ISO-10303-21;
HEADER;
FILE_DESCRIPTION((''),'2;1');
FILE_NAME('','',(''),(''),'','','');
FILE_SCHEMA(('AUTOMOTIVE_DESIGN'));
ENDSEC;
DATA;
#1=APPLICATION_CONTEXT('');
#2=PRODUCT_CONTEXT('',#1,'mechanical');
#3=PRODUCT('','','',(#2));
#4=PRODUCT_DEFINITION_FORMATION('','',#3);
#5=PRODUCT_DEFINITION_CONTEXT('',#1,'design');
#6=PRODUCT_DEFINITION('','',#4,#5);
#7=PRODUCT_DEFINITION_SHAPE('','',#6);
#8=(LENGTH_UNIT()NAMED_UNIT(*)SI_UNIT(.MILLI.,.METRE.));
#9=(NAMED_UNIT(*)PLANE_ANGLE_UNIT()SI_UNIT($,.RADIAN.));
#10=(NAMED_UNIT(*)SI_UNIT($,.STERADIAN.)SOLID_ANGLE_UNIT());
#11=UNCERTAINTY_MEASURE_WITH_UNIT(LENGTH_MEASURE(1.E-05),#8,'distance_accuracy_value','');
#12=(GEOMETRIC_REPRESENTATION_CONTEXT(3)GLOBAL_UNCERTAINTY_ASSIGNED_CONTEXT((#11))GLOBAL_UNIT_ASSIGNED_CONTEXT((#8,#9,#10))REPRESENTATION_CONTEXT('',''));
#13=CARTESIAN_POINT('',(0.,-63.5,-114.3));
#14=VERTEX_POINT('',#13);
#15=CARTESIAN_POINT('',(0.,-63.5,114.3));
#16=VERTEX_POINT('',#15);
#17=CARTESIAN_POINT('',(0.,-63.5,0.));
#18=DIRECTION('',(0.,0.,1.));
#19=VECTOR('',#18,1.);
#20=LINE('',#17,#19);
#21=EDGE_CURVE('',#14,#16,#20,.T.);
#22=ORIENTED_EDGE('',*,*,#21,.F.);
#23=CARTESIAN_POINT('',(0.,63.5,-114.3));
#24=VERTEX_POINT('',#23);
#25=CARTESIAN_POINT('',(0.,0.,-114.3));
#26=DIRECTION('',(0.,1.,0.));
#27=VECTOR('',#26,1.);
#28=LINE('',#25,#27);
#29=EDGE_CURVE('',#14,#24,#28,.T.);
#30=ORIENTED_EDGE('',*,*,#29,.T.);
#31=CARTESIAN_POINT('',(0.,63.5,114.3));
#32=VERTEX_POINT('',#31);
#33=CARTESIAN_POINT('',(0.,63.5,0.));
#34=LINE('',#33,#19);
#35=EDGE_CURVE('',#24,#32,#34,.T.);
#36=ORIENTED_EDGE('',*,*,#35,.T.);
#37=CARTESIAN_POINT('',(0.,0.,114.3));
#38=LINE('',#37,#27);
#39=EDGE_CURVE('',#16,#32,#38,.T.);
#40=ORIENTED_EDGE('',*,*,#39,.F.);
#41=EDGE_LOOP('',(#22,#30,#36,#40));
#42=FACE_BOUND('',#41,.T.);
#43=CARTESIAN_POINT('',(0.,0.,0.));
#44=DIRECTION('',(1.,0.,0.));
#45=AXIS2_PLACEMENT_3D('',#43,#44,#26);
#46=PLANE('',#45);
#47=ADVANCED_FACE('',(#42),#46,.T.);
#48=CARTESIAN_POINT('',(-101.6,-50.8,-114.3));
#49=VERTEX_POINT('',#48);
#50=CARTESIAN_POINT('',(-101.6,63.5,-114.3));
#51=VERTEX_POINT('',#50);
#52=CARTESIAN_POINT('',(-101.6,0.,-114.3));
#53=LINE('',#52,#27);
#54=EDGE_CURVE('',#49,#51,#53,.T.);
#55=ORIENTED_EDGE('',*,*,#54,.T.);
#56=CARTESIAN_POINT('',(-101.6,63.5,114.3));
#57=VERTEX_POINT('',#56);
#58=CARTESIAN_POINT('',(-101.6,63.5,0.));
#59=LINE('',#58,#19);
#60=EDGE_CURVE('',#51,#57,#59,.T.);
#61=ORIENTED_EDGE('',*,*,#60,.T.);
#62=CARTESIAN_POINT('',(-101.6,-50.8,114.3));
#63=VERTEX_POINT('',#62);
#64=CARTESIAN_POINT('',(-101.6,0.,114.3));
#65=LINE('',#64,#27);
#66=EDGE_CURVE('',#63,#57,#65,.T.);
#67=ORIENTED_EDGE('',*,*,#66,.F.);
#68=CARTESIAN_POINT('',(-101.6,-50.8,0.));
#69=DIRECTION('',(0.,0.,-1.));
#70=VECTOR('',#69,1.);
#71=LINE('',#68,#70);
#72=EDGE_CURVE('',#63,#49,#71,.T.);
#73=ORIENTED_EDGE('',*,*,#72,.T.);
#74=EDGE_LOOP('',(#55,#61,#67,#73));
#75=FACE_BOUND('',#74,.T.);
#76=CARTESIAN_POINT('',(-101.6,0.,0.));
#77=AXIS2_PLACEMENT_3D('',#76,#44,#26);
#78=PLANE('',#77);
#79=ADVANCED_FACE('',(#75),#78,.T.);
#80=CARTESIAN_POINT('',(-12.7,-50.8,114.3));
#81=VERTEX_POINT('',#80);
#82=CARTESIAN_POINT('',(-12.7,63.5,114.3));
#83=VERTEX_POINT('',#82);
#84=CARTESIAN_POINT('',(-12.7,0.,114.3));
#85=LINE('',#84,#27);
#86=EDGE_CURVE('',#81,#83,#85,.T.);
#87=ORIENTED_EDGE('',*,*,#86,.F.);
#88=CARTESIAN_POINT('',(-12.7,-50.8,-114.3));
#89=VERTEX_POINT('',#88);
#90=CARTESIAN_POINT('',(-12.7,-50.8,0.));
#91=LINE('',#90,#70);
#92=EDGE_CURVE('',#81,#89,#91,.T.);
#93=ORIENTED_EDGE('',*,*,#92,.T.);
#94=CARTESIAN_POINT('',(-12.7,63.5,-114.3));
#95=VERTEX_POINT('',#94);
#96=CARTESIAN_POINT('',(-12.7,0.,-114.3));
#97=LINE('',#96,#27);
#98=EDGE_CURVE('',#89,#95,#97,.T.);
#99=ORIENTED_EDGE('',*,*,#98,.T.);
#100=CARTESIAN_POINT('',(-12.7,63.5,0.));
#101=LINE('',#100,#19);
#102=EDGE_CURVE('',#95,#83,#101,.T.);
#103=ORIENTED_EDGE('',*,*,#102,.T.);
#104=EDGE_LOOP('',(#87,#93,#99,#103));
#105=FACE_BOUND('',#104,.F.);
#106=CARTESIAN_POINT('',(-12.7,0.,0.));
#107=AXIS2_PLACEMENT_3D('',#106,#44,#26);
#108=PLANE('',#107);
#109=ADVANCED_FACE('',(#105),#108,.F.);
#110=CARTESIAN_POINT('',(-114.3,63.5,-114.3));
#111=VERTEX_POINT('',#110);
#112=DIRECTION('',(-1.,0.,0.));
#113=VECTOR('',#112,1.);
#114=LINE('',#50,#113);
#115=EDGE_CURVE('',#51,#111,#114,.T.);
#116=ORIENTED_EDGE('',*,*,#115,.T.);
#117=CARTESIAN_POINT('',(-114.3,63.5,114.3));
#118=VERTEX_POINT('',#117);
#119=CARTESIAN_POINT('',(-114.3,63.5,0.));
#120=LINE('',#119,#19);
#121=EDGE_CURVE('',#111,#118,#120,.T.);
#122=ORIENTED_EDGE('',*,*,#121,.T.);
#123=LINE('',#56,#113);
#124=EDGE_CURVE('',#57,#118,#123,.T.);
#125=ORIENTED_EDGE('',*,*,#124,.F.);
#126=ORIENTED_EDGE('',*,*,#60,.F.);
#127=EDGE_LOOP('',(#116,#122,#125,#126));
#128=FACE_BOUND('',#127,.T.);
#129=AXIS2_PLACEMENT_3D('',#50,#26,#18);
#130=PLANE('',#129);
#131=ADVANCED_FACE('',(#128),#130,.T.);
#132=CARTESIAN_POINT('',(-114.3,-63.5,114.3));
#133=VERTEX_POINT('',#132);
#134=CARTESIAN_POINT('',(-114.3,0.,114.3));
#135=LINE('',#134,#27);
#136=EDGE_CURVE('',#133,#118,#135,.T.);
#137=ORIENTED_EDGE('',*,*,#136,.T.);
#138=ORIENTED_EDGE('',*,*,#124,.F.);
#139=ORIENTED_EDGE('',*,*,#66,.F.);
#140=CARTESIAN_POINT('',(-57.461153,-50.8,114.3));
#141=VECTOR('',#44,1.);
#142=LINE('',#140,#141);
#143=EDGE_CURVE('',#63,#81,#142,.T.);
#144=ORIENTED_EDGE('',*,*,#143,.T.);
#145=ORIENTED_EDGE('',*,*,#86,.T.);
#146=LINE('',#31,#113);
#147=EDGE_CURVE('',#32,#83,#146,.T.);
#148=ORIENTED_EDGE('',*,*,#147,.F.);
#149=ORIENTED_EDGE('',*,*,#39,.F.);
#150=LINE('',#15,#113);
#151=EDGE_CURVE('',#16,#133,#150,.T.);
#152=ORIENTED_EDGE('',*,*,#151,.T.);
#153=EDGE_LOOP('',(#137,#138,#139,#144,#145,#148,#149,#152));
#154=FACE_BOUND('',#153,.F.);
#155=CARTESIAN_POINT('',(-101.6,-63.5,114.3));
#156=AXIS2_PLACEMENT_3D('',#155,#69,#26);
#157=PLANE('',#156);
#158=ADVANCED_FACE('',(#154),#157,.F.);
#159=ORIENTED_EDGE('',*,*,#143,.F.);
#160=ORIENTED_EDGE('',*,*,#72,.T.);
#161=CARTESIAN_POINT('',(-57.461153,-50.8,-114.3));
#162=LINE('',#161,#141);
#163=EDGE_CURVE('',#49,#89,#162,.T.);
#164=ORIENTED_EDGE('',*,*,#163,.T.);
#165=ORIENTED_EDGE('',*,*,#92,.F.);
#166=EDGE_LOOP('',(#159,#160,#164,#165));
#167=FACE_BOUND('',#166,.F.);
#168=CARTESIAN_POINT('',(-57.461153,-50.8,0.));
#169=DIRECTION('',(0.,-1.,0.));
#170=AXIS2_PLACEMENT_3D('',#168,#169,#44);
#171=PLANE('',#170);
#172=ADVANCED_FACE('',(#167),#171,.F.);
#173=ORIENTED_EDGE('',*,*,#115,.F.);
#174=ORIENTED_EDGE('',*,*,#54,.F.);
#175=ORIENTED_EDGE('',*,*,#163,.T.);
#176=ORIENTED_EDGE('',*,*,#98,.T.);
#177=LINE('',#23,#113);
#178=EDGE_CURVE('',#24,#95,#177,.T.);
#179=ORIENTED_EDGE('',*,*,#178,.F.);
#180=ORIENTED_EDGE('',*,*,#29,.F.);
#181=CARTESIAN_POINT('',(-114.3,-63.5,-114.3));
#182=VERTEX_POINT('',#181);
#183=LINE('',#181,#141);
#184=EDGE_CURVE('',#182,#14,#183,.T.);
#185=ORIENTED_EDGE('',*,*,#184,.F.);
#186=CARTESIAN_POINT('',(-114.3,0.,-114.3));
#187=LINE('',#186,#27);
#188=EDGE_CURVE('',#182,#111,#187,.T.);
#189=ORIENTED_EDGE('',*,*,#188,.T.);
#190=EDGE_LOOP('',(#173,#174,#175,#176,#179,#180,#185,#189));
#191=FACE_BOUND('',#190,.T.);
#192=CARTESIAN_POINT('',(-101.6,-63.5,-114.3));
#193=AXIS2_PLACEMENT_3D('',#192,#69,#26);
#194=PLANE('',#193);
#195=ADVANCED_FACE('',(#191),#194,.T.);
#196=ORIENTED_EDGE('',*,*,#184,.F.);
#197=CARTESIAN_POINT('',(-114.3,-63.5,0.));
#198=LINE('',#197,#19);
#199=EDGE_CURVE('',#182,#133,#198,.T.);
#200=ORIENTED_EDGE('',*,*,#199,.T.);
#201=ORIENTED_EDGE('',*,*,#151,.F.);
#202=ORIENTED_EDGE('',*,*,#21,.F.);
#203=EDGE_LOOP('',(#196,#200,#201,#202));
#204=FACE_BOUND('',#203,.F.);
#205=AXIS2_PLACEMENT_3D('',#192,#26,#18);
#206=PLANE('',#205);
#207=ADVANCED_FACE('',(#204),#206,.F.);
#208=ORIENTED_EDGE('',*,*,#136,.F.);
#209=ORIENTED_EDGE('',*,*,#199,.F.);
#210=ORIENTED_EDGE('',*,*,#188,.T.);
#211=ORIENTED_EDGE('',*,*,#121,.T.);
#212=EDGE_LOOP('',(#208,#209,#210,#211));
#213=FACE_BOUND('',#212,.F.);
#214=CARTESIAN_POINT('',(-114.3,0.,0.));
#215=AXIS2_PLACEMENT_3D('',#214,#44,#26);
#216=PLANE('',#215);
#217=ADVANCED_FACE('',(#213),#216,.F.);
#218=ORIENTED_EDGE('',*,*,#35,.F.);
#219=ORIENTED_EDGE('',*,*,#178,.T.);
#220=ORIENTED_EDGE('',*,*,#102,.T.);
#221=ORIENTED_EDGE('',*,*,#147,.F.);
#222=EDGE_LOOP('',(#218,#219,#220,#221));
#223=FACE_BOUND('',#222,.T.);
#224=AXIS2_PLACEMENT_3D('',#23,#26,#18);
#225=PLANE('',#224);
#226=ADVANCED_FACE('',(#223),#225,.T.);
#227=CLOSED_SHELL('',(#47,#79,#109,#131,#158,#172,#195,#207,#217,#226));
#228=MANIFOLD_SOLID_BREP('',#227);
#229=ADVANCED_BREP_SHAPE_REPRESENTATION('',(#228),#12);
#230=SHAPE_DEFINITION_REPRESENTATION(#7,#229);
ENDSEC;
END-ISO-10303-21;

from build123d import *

# Parameters (mm, degrees)
F0_W     = 127
F0_H     = 228.6
F1_DEPTH = 12.7
F4_W     = 127
F4_H     = 228.6
F5_DEPTH = 12.7
F6_W     = 98.14891
F6_H     = 228.6
F7_DEPTH = 12.7


with BuildPart() as f1:
    # F0 (on Right) → F1 (new body)
    with BuildSketch(Plane.YZ):
        Rectangle(F0_W, F0_H)
    extrude(amount=-F1_DEPTH)



with BuildPart() as f5:
    # F4 (on offset) → F5 (new body)
    with BuildSketch(Plane.YZ.offset(-101.6)):
        Rectangle(F4_W, F4_H)
    extrude(amount=-F5_DEPTH)


with BuildPart() as f1_1:
    add(f1.part)

    add(f5.part)  # F7 merges F5
    # F6 (on offset) → F7 (join)
    with BuildSketch(Plane.XZ.offset(50.8)):
        with Locations((-57.461153, 0)):
            Rectangle(F6_W, F6_H)
    extrude(amount=F7_DEPTH)


solid = f1_1.part
